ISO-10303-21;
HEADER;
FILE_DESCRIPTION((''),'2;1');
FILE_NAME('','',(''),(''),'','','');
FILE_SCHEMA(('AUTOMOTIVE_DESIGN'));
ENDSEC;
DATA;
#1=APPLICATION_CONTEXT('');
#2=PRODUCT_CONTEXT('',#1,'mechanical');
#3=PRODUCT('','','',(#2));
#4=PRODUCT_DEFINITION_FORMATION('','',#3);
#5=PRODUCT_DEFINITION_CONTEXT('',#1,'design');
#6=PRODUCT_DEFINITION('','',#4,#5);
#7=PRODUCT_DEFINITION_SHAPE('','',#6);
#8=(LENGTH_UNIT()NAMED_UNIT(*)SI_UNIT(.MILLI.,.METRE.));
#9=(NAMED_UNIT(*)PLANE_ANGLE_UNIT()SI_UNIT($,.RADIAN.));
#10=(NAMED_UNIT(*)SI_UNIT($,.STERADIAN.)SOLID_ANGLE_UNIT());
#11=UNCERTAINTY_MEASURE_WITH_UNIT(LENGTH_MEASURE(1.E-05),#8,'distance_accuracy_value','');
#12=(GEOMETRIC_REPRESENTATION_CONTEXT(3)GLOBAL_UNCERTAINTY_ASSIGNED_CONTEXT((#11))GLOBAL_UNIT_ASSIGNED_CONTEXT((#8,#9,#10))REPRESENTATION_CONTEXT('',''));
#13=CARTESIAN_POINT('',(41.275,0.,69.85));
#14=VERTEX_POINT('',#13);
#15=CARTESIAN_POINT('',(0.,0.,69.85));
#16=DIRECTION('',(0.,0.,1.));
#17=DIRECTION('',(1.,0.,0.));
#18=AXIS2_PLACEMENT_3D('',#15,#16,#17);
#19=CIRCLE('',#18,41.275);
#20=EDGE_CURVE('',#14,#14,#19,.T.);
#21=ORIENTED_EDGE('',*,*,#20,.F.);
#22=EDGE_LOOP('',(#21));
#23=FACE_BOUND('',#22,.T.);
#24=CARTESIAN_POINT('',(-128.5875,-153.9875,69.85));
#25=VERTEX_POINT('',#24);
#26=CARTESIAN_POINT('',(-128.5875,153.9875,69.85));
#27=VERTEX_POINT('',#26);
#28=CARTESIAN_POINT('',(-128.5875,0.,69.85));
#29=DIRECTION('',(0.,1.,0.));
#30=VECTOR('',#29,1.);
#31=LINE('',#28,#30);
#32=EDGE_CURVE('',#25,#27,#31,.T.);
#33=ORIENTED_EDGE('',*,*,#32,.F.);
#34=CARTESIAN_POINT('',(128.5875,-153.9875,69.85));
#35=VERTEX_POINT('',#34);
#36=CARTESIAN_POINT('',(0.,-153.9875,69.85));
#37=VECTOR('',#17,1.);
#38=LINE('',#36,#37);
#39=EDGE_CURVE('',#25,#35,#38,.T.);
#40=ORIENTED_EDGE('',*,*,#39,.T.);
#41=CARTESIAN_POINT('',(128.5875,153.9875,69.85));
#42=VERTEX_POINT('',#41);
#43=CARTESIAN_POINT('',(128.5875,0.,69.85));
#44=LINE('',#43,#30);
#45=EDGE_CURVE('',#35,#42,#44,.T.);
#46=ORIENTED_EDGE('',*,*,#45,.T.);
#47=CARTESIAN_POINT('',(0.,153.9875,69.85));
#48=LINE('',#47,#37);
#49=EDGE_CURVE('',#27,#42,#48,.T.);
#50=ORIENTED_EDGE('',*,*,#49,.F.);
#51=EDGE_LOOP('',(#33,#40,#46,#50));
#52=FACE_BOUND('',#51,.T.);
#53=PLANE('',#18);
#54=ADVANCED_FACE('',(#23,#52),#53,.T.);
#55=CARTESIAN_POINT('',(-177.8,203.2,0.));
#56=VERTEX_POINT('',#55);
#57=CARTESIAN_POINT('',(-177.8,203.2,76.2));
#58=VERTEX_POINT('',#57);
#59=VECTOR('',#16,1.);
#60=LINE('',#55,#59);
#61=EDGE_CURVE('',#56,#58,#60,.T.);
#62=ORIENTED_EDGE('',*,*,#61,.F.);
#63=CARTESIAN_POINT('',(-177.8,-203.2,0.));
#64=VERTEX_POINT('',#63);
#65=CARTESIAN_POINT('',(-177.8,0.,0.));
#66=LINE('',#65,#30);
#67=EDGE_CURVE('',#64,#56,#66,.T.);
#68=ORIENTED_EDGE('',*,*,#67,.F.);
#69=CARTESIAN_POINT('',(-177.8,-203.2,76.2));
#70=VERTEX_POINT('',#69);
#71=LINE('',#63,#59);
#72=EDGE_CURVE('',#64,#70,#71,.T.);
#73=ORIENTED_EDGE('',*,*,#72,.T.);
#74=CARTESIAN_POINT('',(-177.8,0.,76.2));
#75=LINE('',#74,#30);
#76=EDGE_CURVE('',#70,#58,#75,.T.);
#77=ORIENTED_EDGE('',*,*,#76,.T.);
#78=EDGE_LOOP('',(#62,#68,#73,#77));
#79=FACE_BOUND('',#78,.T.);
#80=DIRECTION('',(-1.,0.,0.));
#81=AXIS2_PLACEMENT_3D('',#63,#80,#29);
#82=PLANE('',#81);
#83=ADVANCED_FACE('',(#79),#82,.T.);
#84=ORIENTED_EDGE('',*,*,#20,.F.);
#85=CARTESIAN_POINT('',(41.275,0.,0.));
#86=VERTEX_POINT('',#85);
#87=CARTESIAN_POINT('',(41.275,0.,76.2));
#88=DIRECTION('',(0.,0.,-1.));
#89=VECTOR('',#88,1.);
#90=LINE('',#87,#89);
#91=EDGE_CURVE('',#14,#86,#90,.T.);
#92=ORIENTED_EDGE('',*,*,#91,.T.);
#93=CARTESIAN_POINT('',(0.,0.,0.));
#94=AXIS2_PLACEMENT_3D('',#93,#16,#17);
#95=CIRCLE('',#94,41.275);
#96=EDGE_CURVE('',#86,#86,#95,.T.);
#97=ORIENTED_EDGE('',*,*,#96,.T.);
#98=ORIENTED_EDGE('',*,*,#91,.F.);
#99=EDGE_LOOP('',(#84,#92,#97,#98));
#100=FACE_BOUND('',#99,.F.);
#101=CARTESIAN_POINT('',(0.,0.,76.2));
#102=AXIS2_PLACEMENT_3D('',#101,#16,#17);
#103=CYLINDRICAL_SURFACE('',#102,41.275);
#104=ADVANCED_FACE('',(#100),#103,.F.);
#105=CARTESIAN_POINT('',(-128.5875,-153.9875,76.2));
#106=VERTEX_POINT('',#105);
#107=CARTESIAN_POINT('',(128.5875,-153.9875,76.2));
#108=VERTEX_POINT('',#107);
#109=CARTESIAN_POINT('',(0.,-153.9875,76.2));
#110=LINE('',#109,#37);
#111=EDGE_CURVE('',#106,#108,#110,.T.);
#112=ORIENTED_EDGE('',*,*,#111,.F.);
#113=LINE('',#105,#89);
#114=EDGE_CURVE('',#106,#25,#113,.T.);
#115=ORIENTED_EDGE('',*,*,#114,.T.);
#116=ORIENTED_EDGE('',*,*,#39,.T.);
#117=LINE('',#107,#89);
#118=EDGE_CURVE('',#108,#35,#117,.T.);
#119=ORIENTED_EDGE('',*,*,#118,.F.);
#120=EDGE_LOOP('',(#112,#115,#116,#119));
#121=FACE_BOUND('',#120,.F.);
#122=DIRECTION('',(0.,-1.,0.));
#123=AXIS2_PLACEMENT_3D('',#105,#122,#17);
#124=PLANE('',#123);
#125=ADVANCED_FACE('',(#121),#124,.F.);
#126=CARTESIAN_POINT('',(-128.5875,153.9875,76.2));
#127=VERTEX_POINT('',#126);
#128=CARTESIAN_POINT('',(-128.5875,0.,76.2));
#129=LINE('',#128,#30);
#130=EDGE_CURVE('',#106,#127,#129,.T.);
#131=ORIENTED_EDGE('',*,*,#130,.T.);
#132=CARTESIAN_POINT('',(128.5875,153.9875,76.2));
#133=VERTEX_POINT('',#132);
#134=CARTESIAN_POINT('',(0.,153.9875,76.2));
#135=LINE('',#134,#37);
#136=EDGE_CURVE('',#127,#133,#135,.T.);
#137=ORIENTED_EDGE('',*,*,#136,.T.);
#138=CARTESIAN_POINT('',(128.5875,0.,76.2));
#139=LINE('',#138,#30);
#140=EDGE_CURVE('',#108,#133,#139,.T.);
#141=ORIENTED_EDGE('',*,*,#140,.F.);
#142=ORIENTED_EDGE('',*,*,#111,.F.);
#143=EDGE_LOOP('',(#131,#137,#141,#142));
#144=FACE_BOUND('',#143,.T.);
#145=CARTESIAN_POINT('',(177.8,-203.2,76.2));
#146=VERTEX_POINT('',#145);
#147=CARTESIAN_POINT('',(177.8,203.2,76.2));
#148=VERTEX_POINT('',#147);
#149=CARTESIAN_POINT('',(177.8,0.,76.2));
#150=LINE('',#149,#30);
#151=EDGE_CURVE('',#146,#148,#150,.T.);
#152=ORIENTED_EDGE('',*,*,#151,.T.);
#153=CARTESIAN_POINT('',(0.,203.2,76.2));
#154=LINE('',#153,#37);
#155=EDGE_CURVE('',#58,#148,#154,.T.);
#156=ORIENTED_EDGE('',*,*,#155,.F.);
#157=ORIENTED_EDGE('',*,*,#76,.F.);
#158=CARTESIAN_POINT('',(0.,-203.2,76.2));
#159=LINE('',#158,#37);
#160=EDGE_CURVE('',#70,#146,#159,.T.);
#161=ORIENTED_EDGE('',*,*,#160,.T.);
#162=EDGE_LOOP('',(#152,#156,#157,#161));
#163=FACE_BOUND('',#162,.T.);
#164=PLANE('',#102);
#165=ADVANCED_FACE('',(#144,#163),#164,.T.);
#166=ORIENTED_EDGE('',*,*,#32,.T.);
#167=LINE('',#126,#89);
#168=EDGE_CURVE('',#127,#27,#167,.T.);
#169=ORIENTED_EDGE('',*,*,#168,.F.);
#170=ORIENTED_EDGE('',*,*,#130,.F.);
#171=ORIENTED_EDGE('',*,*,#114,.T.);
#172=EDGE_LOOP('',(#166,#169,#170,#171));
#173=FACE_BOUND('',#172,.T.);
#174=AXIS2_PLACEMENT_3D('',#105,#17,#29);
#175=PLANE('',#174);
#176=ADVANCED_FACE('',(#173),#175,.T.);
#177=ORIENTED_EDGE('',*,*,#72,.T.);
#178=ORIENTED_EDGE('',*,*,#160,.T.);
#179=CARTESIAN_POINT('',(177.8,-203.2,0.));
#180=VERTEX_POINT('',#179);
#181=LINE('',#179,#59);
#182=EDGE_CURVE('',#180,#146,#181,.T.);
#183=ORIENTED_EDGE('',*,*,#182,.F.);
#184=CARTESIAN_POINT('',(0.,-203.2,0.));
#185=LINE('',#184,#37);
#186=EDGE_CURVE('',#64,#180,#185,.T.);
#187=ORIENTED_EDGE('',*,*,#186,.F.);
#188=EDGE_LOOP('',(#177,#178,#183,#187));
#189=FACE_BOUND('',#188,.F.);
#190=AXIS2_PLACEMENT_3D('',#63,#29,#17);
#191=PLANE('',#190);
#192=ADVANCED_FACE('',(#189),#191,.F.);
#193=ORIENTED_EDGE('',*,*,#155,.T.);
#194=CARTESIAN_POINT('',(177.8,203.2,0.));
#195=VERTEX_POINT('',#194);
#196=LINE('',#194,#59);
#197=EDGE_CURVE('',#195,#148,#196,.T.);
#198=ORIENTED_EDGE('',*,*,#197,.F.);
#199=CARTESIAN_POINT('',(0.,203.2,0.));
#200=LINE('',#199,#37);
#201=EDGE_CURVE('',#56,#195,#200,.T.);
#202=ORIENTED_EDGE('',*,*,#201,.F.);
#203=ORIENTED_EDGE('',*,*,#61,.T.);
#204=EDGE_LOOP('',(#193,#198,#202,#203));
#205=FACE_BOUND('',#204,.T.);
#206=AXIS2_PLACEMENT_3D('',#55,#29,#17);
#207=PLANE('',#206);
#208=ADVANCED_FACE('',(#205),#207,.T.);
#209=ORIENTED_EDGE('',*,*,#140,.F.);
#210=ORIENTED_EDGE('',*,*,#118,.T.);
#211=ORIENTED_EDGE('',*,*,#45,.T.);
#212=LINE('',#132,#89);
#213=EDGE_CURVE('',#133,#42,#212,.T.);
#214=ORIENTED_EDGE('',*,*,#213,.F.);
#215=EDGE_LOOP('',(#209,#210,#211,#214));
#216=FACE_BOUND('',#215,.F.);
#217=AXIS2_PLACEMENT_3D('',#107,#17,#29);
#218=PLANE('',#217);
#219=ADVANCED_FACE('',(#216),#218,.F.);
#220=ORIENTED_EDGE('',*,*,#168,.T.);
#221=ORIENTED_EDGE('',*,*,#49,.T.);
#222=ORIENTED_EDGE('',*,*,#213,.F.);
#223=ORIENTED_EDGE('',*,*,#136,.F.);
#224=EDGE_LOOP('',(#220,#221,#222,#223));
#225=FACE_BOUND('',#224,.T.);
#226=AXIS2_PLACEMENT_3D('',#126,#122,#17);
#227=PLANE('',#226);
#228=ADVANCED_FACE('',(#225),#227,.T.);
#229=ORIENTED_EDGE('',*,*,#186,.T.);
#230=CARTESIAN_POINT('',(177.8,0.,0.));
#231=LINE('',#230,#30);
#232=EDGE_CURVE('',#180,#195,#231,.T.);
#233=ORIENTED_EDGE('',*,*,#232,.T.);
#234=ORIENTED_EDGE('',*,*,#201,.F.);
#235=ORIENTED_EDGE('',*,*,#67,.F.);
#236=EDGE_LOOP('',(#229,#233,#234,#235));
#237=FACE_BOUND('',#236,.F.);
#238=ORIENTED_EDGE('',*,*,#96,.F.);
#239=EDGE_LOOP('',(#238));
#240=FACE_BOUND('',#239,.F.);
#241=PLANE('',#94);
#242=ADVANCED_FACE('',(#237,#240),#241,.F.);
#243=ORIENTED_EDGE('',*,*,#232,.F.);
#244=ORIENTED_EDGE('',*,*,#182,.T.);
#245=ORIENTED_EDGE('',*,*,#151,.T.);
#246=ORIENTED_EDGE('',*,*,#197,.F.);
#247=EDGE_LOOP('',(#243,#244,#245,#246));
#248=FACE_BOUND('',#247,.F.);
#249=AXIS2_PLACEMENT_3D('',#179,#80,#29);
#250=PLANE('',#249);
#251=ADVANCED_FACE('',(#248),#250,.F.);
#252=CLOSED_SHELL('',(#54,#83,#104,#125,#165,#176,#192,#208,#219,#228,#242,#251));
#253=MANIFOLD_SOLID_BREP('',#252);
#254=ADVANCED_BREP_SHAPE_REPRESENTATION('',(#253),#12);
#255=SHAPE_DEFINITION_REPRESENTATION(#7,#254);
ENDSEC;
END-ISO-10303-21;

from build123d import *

# Parameters (mm, degrees)
F0_W     = 355.6
F0_H     = 406.4
F1_DEPTH = 76.2
F2_R     = 41.275
F3_DEPTH = 76.201
F4_W     = 257.175
F4_H     = 307.975
F5_DEPTH = 6.35


with BuildPart() as f1:
    # F0 (on Top) → F1 (new body)
    with BuildSketch(Plane.XY):
        Rectangle(F0_W, F0_H)
    extrude(amount=F1_DEPTH)

    # F2 (on face) → F3 (cut, through all)
    with BuildSketch(Plane.XY.offset(76.2)):
        Circle(F2_R)
    extrude(amount=-F3_DEPTH, mode=Mode.SUBTRACT)

    # F4 (on face) → F5 (cut)
    with BuildSketch(Plane.XY.offset(76.2)):
        Rectangle(F4_W, F4_H)
    extrude(amount=-F5_DEPTH, mode=Mode.SUBTRACT)


solid = f1.part
